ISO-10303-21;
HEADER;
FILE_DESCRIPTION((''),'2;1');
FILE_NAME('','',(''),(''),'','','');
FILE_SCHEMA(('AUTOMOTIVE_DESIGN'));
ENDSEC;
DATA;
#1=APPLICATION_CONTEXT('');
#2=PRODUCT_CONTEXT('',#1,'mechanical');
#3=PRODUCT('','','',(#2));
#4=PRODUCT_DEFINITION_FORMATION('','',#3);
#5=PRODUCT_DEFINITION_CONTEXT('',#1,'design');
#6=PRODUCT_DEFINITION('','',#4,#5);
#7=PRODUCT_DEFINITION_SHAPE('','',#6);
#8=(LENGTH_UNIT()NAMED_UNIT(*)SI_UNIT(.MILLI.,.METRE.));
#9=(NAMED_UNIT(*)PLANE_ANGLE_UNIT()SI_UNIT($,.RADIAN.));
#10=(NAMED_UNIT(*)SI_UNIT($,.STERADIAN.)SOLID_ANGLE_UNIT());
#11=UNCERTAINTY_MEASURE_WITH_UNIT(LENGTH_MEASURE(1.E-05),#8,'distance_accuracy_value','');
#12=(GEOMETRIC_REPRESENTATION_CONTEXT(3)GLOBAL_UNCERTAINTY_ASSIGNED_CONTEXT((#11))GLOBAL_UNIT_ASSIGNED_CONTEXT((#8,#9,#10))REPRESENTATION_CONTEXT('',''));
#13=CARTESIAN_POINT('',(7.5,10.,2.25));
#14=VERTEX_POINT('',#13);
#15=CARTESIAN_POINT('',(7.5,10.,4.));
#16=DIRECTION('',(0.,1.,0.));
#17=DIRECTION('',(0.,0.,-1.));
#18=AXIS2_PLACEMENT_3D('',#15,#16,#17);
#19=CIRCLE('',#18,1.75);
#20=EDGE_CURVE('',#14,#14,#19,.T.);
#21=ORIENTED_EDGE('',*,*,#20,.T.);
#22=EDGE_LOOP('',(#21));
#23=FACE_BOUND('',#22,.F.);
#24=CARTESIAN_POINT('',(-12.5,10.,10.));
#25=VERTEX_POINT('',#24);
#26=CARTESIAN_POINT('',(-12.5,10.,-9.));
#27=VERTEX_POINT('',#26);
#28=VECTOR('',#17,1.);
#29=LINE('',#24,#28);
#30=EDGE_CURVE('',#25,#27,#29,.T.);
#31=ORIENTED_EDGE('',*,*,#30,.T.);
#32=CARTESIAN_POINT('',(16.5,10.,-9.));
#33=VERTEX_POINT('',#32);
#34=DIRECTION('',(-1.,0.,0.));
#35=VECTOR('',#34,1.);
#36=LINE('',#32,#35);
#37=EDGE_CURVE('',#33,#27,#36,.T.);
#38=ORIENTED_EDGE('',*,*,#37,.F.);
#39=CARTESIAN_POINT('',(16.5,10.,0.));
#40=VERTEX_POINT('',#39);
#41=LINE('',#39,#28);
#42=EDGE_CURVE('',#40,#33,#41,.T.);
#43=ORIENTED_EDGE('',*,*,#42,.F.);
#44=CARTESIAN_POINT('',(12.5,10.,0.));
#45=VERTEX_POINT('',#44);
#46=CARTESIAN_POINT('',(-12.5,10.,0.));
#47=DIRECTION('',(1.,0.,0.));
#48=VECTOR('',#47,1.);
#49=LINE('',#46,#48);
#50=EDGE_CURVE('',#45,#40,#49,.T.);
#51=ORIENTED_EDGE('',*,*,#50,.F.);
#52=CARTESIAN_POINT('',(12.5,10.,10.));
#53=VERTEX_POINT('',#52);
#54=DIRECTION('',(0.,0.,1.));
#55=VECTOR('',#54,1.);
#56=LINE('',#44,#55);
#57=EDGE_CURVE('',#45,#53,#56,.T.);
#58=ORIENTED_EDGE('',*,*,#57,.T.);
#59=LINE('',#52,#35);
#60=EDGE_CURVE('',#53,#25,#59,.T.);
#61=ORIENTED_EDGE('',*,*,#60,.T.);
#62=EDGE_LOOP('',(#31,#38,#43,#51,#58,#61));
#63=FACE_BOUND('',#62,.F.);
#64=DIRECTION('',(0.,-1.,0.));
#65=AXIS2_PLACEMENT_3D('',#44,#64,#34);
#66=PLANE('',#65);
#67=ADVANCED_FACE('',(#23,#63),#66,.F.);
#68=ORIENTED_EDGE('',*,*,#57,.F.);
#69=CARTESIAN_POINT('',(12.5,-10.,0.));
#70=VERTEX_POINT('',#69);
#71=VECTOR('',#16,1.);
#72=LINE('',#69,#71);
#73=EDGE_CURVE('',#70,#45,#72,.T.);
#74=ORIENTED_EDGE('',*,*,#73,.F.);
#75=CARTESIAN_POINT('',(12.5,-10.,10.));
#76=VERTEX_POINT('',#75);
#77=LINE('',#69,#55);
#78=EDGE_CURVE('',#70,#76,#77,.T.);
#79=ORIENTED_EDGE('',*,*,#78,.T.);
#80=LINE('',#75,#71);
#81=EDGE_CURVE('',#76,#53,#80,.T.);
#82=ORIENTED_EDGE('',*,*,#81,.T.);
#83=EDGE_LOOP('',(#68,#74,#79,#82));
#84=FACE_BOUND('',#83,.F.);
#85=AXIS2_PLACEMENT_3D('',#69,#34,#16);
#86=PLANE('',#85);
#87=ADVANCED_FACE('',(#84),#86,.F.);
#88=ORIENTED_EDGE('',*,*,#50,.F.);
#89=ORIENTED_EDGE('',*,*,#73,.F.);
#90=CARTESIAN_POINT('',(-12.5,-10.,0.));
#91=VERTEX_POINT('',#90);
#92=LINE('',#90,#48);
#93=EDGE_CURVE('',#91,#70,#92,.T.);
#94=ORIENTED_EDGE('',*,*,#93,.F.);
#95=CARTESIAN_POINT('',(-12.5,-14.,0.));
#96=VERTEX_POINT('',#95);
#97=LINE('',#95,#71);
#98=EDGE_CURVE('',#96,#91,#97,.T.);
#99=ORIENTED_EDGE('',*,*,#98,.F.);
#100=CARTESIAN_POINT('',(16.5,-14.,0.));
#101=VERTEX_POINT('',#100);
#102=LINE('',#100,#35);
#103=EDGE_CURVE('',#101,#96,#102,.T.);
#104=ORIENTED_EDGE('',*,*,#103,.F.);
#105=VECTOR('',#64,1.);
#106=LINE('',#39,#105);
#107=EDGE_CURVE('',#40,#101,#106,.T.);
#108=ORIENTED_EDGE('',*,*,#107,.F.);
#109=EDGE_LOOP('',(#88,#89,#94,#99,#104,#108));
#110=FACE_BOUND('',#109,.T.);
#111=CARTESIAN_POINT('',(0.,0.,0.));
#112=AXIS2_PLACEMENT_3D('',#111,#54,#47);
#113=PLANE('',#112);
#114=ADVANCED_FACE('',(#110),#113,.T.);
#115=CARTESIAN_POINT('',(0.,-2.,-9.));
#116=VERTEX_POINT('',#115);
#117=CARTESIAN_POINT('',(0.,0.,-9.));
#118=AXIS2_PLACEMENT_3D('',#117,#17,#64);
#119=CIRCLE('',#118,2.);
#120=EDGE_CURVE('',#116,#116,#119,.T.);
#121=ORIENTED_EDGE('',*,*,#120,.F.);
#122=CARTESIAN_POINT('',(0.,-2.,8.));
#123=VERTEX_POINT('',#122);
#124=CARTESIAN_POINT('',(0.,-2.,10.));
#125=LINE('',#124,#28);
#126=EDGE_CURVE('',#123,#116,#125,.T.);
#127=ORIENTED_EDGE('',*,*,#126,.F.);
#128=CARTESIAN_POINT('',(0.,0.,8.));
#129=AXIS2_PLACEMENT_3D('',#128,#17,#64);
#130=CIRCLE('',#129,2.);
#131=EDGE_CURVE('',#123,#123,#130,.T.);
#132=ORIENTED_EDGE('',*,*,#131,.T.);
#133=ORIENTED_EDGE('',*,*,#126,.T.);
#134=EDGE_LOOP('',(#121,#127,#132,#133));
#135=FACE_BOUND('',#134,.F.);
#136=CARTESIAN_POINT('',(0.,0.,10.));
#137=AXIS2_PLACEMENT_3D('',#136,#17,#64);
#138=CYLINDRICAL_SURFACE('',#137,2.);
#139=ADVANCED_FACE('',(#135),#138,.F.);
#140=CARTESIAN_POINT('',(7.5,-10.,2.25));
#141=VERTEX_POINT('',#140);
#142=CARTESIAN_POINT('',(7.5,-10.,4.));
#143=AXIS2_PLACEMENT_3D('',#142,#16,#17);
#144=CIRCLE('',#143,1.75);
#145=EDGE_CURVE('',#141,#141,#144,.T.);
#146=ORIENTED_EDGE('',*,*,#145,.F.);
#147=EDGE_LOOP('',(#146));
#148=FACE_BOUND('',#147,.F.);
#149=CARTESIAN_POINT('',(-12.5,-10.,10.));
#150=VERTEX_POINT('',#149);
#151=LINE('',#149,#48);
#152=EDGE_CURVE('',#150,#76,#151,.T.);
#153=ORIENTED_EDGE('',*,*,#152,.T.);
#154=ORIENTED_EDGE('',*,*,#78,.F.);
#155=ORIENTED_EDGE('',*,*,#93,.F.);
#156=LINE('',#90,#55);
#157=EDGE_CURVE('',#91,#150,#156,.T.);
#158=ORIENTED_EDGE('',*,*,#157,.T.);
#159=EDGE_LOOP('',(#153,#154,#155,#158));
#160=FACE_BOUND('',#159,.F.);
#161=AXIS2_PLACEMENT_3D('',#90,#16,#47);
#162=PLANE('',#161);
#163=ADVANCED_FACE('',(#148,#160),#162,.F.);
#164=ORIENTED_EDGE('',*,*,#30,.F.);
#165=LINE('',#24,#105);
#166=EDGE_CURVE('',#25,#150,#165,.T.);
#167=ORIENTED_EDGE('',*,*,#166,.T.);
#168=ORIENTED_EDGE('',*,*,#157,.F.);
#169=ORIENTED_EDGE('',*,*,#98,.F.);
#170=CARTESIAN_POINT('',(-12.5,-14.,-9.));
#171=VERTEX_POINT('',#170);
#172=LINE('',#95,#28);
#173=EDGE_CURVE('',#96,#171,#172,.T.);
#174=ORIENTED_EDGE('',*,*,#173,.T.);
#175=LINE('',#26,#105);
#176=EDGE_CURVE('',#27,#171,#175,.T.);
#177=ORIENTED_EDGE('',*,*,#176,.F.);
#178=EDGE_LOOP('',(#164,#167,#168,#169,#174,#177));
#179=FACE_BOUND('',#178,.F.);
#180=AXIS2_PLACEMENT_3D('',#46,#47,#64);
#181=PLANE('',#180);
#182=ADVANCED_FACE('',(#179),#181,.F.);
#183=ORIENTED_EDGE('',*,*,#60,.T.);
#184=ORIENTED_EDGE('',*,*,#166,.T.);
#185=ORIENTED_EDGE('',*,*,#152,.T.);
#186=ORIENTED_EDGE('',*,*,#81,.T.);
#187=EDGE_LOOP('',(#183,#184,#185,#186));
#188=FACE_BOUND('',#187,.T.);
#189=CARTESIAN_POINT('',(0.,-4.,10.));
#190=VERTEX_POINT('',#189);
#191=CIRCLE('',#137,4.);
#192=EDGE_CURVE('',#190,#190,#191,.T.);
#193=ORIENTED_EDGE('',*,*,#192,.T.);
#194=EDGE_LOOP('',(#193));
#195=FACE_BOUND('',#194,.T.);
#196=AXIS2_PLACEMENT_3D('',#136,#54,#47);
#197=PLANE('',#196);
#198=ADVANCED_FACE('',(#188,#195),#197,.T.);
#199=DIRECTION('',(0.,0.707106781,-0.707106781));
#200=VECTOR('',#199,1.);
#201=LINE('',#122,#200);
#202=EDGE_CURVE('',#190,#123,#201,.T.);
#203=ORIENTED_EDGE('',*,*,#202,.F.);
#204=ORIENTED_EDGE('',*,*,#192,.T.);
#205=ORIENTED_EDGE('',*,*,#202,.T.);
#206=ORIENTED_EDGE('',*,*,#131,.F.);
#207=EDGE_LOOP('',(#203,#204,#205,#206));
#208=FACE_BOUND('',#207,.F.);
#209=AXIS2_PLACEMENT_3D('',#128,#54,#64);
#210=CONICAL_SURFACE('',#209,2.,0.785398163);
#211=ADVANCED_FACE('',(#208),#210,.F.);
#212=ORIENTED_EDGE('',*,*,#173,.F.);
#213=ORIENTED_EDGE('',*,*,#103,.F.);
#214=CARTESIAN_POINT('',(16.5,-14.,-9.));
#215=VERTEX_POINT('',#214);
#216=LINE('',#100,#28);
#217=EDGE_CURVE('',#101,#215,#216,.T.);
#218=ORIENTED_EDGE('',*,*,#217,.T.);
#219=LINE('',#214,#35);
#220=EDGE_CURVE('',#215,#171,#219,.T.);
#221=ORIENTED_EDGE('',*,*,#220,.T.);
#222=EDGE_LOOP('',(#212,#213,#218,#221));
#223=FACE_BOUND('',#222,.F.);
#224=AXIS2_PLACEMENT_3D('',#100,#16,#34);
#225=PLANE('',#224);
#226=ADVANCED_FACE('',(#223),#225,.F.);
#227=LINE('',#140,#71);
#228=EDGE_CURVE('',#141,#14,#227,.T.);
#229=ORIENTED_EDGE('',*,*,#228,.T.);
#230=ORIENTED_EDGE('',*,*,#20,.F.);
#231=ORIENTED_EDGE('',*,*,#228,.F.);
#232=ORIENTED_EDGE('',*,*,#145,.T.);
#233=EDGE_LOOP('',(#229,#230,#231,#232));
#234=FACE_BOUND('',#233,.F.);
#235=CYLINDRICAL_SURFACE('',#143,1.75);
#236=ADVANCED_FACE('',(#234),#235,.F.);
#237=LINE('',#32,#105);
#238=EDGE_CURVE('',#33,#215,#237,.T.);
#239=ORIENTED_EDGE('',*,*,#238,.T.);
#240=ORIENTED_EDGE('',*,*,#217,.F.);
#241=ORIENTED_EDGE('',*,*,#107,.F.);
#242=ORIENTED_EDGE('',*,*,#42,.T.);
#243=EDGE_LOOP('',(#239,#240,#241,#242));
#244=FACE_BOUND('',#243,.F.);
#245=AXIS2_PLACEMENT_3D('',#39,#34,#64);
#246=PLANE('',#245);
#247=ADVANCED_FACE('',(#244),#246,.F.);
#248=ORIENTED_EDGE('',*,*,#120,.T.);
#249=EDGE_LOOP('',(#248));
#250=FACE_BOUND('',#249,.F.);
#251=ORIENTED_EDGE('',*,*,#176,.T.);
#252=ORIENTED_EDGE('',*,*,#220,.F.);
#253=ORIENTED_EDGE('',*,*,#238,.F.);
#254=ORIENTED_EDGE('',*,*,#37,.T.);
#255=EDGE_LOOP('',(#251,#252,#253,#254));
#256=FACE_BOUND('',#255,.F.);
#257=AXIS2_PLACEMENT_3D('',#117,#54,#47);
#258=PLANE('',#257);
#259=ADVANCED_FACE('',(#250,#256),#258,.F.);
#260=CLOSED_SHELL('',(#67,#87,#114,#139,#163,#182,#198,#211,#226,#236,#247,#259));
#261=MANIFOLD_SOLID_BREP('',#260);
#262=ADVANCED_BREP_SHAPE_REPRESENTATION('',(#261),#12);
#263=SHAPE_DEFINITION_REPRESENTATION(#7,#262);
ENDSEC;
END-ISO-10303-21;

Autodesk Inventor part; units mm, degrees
ref_plane "YZ Plane" through (0, 0, 0) normal (1, 0, 0) x (0, 1, 0)
ref_plane "XZ Plane" through (0, 0, 0) normal (0, 1, 0) x (-1, 0, 0)
ref_plane "XY Plane" through (0, 0, 0) normal (0, 0, 1) x (1, 0, 0)
sketch "Szkic1" plane through (0, 0, 0) normal (0, 0, 1) x (1, 0, 0)
  line L0 (-12.5, -10) -> (12.5, -10)
  line L1 (12.5, -10) -> (12.5, 10)
  line L2 (12.5, 10) -> (-12.5, 10)
  line L3 (-12.5, 10) -> (-12.5, -10)
  line L4 (-12.5, -10) -> (12.5, 10) construction
  line L5 (12.5, -10) -> (-12.5, 10) construction
  line L6 (-12.5, 10) -> (16.5, 10)
  line L7 (16.5, 10) -> (16.5, -14)
  line L8 (16.5, -14) -> (-12.5, -14)
  line L9 (-12.5, -14) -> (-12.5, 10)
  point P0 (0, 0)
  dimension "d0" = 25
  dimension "d1" = 20
  dimension "d2" = 4
  dimension "d3" = 4
extrude "Wyciągnięcie proste1" add sketch "Szkic1" against normal blind 9
extrude "Wyciągnięcie proste2" add sketch "Szkic1" along normal blind 10 contours L3 L2 L1 L0
sketch "Szkic2" plane through (0, 0, 10) normal (0, 0, 1) x (1, 0, 0)
  point P0 (0, 0)
  point P1 (0, 0)
sketch "Szkic3" plane through (-12.5, -10, 0) normal (0, -1, 0) x (1, 0, 0)
  line L0 (25, 0) -> (0, 0) projected
  line L1 (25, 0) -> (25, 10) projected
  point P0 (12.5, 0)
  point P1 (20, 4)
  dimension "d8" = 5
  dimension "d9" = 4
hole "Otwór1" at (7.5, -10, 4) direction (0, 1, 0) diameter 3.5 end through all
hole "Otwór2" at (0, 0, 10) direction (0, 0, -1) diameter 4 end through all
chamfer "Faza1" distance 2 angle 45 1 edges at (0, 2, 10)
properties part number "table_mount"
